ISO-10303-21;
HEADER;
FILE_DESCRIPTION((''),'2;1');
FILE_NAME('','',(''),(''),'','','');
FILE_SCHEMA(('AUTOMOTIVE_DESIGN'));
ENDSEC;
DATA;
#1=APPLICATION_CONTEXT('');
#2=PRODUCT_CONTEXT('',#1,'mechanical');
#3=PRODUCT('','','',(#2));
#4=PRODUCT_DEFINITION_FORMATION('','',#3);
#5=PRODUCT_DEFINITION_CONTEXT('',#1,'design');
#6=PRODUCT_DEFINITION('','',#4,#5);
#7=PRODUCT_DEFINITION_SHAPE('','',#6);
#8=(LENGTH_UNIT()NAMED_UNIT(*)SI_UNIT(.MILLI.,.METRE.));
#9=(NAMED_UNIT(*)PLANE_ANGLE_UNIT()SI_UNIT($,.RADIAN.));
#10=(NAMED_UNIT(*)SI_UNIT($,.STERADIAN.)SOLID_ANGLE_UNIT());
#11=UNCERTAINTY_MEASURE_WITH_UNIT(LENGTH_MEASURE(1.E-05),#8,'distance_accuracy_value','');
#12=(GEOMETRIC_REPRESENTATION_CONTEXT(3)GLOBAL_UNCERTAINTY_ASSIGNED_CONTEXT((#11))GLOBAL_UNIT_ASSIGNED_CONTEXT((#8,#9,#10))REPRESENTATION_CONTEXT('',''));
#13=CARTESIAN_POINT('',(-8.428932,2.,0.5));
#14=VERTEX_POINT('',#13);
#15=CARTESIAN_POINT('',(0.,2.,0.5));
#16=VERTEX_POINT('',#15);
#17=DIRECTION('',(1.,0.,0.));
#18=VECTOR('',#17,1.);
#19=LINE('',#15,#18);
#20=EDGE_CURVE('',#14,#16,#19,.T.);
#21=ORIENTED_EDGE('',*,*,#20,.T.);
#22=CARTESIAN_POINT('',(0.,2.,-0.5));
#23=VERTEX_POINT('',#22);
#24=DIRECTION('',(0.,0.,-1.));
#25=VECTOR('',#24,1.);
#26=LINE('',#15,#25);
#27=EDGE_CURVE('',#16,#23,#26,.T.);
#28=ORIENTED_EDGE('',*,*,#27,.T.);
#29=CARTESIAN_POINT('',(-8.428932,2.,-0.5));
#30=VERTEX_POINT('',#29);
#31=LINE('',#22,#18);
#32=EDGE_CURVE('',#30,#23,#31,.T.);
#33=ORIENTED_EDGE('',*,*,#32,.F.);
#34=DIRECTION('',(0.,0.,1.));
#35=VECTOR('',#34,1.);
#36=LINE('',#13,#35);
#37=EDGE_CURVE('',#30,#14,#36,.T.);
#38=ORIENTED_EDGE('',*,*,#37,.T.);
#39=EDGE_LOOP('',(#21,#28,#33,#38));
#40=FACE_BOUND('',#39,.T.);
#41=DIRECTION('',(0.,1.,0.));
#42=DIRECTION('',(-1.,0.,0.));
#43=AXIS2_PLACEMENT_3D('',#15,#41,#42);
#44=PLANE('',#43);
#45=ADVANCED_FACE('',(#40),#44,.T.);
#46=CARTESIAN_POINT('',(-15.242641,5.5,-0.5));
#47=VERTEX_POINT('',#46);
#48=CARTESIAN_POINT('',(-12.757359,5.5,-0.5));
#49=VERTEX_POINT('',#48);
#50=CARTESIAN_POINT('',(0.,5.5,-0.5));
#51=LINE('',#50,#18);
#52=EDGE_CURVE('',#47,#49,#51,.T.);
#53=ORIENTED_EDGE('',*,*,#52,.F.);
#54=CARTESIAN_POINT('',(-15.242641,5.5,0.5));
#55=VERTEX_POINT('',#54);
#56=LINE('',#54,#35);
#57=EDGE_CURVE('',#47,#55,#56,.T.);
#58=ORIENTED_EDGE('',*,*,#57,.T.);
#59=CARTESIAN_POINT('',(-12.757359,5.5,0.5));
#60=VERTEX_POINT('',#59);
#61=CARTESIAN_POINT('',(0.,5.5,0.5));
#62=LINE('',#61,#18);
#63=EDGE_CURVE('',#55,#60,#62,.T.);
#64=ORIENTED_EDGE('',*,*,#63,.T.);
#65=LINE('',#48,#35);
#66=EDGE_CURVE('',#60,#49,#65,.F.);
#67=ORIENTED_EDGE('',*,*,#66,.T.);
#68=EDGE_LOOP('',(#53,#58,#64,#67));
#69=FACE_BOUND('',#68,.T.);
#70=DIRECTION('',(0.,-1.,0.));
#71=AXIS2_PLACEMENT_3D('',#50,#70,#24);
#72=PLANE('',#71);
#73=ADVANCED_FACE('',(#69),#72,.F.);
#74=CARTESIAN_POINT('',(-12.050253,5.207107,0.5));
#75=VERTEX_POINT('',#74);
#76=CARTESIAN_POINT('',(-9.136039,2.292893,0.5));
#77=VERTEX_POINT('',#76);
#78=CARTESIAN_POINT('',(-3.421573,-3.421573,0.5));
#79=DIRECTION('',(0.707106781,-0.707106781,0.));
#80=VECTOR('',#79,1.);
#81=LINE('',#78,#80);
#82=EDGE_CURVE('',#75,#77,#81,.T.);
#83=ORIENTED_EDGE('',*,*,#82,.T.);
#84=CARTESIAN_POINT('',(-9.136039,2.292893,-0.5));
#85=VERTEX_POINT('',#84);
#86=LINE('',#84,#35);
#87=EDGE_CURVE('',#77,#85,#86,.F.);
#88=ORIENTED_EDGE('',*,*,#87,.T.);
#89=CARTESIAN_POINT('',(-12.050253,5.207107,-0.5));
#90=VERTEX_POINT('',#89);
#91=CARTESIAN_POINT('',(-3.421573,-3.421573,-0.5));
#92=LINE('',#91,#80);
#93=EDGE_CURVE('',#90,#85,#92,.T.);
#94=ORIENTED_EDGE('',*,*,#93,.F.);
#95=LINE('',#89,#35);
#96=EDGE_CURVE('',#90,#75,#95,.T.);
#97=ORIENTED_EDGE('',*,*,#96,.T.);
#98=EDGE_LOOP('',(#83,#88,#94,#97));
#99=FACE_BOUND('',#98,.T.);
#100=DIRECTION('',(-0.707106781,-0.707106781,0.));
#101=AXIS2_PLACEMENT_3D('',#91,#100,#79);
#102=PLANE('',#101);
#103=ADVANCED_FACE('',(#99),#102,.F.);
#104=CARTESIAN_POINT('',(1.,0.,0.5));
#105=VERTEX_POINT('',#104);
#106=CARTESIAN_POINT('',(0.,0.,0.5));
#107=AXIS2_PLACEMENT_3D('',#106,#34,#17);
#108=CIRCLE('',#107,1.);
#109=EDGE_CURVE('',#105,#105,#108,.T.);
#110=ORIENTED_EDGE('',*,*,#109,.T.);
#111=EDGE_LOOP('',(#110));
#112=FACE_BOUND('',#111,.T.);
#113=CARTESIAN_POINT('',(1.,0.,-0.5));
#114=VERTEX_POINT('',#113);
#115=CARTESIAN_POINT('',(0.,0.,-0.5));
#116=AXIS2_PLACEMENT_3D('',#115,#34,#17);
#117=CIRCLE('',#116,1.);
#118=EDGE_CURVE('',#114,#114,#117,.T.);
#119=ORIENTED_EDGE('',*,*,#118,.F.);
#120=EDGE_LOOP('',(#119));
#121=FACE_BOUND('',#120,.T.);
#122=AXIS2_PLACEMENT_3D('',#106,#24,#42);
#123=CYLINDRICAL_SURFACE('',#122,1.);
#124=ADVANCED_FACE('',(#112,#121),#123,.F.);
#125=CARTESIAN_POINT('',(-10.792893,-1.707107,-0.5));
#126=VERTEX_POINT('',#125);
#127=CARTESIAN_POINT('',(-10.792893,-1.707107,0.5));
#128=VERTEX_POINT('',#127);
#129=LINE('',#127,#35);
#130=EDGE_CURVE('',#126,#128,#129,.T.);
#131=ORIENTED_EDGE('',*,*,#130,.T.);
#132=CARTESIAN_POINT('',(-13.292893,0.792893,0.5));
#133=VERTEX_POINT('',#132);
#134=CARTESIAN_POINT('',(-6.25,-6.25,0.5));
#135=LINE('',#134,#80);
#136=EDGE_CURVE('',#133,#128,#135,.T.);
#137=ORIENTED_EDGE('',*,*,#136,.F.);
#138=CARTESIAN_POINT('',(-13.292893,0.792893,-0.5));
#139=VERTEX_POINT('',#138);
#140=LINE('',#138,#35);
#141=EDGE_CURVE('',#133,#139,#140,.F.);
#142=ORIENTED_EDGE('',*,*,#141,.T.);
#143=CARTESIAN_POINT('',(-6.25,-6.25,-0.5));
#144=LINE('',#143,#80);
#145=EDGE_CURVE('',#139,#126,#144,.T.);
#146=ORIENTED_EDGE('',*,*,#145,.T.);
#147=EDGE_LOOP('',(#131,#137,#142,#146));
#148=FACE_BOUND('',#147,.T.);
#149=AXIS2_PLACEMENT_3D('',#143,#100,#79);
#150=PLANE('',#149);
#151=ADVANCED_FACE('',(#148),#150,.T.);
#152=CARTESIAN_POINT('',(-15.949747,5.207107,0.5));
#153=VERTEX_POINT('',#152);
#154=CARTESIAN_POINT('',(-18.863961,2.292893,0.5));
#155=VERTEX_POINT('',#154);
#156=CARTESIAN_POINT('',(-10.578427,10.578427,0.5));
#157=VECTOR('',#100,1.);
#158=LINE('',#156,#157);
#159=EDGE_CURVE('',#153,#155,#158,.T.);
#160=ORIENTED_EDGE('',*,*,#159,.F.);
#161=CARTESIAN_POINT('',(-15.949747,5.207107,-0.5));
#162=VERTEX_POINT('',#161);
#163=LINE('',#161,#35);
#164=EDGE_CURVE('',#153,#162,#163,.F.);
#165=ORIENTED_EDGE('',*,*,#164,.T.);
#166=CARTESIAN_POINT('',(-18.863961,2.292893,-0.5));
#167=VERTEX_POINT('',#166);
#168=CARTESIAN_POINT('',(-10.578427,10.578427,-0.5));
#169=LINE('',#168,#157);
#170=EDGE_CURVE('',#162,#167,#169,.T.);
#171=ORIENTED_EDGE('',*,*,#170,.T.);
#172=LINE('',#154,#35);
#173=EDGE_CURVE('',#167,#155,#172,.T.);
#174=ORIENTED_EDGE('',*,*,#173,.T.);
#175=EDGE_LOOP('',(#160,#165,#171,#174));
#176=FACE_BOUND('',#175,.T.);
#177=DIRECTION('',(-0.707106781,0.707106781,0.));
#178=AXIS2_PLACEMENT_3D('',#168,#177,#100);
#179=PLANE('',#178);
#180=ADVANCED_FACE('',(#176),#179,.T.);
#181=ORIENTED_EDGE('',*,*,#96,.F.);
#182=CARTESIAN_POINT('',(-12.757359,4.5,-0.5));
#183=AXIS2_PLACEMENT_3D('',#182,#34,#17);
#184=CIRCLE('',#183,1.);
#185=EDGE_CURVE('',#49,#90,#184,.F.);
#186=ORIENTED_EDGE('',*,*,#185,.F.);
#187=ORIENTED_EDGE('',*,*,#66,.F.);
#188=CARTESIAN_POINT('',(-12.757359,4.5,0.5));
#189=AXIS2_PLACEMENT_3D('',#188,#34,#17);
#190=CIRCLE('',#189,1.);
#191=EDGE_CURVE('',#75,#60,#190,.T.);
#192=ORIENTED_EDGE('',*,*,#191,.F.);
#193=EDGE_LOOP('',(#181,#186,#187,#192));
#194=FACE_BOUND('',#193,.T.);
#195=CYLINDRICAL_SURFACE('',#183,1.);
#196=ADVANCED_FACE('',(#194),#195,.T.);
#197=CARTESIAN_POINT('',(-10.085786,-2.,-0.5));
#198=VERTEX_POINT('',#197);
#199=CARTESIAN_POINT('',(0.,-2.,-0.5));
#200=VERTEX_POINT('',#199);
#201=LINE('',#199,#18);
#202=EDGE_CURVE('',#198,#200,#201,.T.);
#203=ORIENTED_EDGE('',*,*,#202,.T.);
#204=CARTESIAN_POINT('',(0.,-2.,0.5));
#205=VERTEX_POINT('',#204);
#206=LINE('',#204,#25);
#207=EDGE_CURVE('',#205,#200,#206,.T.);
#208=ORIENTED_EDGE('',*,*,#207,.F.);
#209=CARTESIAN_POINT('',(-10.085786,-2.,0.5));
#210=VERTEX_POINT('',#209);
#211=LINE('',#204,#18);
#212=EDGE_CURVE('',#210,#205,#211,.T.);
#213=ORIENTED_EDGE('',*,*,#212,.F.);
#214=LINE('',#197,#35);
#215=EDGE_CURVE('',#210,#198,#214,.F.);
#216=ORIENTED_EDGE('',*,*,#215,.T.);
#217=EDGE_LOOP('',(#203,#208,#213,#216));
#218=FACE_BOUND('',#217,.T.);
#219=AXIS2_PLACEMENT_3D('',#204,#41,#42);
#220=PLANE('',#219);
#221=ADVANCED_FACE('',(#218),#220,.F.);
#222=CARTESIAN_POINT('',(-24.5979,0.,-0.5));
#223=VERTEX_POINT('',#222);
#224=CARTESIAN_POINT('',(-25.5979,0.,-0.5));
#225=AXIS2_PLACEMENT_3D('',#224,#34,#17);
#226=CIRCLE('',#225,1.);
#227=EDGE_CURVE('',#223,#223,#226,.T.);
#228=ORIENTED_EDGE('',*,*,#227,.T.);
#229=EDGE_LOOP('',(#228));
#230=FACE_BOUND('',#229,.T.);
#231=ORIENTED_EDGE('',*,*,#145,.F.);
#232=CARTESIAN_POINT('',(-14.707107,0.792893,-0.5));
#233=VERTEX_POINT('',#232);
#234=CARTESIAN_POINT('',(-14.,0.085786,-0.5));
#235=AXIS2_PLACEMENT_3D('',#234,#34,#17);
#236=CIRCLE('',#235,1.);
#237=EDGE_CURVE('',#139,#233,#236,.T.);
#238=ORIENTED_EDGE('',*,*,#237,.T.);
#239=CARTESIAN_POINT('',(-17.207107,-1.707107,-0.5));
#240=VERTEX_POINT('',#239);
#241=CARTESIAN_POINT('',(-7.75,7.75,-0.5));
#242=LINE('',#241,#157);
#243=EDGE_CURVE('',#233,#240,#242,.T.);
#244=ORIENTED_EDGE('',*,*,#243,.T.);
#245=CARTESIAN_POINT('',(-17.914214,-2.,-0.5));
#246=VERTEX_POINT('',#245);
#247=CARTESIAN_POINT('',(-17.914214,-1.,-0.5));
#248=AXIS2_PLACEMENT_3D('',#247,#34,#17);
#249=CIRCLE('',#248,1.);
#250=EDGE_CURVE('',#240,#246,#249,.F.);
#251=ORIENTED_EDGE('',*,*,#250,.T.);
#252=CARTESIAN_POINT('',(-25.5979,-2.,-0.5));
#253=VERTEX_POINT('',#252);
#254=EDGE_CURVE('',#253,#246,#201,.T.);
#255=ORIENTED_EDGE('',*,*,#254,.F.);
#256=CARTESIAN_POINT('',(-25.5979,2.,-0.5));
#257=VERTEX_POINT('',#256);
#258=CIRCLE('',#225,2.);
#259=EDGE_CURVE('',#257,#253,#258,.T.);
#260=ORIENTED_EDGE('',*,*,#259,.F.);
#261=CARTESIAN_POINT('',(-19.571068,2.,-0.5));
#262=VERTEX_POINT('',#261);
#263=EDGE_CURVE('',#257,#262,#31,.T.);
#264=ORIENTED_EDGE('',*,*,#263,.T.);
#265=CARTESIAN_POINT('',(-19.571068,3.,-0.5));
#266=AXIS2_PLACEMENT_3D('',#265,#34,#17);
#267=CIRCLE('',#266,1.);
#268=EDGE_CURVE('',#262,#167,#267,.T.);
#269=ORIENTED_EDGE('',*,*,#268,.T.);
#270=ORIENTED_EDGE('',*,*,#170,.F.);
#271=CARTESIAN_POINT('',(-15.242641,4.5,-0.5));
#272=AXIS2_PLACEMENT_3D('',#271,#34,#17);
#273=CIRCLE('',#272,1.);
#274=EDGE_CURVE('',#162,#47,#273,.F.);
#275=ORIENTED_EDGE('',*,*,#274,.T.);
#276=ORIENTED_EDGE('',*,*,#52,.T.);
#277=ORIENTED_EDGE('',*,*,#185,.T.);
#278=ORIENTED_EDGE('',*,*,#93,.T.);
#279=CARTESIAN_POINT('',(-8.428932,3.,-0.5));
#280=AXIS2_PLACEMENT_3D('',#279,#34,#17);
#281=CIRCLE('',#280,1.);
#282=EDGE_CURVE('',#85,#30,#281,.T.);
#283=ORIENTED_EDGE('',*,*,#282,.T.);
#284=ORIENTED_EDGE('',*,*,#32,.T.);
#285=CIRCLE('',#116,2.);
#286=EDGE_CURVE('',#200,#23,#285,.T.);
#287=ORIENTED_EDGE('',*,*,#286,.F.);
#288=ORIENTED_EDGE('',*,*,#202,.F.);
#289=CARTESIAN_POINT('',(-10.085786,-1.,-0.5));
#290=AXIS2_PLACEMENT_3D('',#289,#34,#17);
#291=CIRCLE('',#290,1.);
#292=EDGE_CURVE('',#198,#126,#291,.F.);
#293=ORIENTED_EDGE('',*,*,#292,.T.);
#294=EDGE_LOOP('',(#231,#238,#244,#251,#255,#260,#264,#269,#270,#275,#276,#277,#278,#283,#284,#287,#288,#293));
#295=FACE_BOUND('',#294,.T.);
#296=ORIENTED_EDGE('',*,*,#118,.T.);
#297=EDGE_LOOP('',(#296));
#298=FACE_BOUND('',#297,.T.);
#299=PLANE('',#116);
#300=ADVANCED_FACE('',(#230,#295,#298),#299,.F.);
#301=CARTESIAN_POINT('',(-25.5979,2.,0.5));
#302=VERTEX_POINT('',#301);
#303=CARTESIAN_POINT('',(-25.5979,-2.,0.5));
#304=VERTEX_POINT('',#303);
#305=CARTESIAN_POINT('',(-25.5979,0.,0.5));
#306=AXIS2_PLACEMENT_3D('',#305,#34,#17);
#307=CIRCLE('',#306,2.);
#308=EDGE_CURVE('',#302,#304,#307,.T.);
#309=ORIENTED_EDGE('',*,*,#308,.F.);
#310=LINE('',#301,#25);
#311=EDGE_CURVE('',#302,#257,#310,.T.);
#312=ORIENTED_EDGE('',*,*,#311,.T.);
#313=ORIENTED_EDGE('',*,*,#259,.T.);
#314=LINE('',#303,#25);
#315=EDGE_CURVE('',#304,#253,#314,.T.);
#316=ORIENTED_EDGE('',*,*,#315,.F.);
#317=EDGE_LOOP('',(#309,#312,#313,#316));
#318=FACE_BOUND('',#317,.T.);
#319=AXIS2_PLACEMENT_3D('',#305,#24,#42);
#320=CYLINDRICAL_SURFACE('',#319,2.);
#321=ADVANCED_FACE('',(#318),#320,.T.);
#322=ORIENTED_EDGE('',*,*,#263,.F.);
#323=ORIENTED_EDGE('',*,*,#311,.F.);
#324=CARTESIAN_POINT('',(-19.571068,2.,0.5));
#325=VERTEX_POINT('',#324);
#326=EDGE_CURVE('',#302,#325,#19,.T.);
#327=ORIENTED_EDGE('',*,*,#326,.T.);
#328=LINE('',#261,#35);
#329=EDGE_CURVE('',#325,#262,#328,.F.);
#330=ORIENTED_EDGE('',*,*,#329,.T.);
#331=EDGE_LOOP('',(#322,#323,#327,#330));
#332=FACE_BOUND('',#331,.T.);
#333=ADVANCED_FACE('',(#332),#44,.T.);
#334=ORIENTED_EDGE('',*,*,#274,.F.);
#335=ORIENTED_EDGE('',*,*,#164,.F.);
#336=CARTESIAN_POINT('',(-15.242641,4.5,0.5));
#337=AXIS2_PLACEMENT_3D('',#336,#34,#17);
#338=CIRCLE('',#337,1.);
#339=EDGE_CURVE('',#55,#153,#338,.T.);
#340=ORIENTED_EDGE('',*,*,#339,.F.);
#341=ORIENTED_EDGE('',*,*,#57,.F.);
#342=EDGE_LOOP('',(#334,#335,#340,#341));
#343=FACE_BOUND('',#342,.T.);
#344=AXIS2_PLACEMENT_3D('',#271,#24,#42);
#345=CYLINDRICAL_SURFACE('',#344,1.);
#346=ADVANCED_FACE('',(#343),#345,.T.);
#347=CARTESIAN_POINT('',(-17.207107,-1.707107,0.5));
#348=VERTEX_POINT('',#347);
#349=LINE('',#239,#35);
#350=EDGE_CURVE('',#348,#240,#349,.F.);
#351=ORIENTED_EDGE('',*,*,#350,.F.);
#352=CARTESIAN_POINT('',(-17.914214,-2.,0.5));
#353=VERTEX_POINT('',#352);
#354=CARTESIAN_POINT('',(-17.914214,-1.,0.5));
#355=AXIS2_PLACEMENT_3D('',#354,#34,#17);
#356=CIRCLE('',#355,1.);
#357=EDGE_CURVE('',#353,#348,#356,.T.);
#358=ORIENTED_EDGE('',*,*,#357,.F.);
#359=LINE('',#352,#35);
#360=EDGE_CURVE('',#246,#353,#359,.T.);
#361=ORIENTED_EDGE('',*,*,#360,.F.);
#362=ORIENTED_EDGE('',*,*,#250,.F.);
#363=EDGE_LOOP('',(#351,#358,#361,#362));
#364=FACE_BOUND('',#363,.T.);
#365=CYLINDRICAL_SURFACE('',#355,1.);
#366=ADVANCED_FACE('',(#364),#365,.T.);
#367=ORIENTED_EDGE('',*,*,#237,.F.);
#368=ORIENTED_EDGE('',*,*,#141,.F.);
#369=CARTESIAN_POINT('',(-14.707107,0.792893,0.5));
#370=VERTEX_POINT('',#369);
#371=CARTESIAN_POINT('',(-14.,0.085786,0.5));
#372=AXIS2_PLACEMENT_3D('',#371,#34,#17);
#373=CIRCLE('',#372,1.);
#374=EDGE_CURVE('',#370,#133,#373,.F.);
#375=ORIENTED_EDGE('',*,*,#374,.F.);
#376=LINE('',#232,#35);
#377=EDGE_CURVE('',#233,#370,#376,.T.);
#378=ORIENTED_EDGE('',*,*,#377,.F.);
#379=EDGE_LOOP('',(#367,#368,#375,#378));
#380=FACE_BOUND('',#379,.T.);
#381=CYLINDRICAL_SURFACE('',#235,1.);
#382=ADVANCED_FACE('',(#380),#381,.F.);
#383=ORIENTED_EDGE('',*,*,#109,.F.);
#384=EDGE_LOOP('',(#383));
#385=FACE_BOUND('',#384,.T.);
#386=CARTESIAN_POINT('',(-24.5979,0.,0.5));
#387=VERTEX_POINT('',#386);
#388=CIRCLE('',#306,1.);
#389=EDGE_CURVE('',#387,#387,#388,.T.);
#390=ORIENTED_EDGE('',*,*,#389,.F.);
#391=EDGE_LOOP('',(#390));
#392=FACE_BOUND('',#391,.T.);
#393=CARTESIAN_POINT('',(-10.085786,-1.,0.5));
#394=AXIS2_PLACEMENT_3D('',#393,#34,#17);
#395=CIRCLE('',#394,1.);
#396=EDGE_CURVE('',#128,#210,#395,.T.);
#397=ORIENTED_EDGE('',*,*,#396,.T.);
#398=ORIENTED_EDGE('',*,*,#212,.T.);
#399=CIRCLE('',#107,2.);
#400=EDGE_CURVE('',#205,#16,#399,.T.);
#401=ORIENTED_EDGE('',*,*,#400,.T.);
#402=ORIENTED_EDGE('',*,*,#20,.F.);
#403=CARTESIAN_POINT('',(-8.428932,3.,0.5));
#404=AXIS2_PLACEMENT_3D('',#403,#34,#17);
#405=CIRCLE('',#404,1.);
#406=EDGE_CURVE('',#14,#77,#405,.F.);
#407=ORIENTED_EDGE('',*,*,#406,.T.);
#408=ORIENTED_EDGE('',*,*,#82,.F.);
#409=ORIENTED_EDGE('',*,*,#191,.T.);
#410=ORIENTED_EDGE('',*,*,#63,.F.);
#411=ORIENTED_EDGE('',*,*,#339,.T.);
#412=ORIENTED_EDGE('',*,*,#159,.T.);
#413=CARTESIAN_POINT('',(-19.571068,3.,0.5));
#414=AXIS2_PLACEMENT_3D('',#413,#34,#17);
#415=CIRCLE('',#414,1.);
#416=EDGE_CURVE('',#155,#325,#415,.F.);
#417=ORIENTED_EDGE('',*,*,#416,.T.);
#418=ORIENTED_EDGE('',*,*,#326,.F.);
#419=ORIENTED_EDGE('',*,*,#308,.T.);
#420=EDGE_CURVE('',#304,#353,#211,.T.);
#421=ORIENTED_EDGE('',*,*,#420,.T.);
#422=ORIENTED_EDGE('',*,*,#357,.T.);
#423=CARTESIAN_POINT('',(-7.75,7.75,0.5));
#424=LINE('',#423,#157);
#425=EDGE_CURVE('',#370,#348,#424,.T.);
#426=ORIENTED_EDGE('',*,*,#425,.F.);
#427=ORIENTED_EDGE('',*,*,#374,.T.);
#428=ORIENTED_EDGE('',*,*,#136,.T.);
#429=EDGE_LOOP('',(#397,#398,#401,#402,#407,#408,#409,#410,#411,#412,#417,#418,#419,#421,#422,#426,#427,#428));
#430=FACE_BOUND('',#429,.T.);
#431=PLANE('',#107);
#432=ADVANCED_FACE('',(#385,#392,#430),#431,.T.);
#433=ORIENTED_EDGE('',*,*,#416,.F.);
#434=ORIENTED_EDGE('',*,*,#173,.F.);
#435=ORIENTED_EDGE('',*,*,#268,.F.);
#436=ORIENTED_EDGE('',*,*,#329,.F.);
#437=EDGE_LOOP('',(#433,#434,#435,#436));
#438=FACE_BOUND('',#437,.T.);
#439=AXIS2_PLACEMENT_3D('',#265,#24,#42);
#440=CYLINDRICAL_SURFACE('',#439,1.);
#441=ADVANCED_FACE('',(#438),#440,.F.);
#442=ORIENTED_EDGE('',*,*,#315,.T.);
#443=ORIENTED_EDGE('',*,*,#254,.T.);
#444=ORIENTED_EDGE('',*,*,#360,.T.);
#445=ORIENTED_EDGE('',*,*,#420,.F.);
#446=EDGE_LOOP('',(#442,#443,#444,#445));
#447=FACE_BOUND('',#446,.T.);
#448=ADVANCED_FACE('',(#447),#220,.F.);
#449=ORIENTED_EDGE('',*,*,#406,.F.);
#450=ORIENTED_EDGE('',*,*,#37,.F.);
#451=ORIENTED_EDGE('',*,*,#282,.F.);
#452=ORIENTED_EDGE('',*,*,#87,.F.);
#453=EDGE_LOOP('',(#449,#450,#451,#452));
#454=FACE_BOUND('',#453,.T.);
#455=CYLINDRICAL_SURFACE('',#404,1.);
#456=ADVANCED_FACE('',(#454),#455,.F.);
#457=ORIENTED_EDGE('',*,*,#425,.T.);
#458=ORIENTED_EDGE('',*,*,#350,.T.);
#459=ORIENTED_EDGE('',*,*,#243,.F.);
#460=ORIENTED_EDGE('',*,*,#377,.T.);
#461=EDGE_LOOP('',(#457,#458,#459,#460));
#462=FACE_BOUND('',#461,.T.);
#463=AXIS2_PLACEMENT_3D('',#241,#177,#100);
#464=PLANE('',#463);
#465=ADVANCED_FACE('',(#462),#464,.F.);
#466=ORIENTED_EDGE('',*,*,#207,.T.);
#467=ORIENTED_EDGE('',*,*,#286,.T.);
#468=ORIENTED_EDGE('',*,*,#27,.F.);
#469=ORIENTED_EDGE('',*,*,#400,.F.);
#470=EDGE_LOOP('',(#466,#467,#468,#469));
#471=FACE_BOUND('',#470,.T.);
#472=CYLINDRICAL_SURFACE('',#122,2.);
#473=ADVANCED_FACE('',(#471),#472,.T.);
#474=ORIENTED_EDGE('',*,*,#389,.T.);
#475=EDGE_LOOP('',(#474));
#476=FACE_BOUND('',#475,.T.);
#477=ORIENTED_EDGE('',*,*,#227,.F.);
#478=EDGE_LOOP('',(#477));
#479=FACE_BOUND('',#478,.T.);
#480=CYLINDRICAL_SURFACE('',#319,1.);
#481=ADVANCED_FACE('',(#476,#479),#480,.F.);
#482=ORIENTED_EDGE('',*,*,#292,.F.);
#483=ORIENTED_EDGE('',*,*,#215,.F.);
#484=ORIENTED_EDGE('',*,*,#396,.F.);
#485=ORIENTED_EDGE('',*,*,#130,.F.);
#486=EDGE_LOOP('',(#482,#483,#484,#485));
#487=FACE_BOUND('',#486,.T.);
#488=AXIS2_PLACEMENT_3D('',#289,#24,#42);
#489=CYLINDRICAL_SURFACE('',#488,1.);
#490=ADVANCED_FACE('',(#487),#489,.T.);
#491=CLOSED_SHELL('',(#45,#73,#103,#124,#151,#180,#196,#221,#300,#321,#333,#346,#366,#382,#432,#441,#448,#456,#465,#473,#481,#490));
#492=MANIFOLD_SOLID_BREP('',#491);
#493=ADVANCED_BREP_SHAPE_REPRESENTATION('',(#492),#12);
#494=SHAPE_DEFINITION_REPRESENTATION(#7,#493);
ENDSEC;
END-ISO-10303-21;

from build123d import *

# Parameters (mm, degrees)
SKETCH_1_R      = 1
EXTRUDE_1_DEPTH = 0.5
EXTRUDE1_DEPTH  = 0.5
EXTRUDE2_DEPTH  = 0.5
FILLET8_R       = 1
FILLET9_R       = 1


with BuildPart() as part:
    # Эскиз1 → Бобышка-Вытянуть1 (new, symmetric)
    with BuildSketch(Plane.XY):
        with BuildLine():
            Line((0, 2), (-25.5979, 2))
            ThreePointArc((-25.5979, 2), (-27.5979, 0), (-25.5979, -2))
            Line((-25.5979, -2), (0, -2))
            ThreePointArc((0, -2), (2, 0), (0, 2))
        make_face()
        with Locations((-25.5979, 0)):
            Circle(SKETCH_1_R, mode=Mode.SUBTRACT)
        Circle(SKETCH_1_R, mode=Mode.SUBTRACT)
    extrude(amount=EXTRUDE_1_DEPTH, both=True)

    # Sketch1 → Extrude1 (add, symmetric)
    with BuildSketch(Plane.XY):
        Polygon((-8.843145751, 2), (-12.343145751, 5.5), (-15.656854249, 5.5), (-19.156854249, 2), align=None)
    extrude(amount=EXTRUDE1_DEPTH, both=True)

    # Sketch → Extrude2 (cut, symmetric)
    with BuildSketch(Plane.XY):
        Polygon((-10.5, -2), (-14, 1.5), (-17.5, -2), align=None)
    extrude(amount=EXTRUDE2_DEPTH, both=True, mode=Mode.SUBTRACT)

    # Fillet8
    fillet8_edges = [part.edges().sort_by_distance(p)[0] for p in [
        (-8.843145751, 2, 0),
        (-19.156854249, 2, 0),
        (-14, 1.5, 0),
    ]]
    fillet(fillet8_edges, radius=FILLET8_R)

    # Fillet9
    fillet9_edges = [part.edges().sort_by_distance(p)[0] for p in [
        (-15.656854249, 5.5, 0),
        (-12.343145751, 5.5, 0),
        (-17.5, -2, 0),
        (-10.5, -2, 0),
    ]]
    fillet(fillet9_edges, radius=FILLET9_R)


solid = part.part
